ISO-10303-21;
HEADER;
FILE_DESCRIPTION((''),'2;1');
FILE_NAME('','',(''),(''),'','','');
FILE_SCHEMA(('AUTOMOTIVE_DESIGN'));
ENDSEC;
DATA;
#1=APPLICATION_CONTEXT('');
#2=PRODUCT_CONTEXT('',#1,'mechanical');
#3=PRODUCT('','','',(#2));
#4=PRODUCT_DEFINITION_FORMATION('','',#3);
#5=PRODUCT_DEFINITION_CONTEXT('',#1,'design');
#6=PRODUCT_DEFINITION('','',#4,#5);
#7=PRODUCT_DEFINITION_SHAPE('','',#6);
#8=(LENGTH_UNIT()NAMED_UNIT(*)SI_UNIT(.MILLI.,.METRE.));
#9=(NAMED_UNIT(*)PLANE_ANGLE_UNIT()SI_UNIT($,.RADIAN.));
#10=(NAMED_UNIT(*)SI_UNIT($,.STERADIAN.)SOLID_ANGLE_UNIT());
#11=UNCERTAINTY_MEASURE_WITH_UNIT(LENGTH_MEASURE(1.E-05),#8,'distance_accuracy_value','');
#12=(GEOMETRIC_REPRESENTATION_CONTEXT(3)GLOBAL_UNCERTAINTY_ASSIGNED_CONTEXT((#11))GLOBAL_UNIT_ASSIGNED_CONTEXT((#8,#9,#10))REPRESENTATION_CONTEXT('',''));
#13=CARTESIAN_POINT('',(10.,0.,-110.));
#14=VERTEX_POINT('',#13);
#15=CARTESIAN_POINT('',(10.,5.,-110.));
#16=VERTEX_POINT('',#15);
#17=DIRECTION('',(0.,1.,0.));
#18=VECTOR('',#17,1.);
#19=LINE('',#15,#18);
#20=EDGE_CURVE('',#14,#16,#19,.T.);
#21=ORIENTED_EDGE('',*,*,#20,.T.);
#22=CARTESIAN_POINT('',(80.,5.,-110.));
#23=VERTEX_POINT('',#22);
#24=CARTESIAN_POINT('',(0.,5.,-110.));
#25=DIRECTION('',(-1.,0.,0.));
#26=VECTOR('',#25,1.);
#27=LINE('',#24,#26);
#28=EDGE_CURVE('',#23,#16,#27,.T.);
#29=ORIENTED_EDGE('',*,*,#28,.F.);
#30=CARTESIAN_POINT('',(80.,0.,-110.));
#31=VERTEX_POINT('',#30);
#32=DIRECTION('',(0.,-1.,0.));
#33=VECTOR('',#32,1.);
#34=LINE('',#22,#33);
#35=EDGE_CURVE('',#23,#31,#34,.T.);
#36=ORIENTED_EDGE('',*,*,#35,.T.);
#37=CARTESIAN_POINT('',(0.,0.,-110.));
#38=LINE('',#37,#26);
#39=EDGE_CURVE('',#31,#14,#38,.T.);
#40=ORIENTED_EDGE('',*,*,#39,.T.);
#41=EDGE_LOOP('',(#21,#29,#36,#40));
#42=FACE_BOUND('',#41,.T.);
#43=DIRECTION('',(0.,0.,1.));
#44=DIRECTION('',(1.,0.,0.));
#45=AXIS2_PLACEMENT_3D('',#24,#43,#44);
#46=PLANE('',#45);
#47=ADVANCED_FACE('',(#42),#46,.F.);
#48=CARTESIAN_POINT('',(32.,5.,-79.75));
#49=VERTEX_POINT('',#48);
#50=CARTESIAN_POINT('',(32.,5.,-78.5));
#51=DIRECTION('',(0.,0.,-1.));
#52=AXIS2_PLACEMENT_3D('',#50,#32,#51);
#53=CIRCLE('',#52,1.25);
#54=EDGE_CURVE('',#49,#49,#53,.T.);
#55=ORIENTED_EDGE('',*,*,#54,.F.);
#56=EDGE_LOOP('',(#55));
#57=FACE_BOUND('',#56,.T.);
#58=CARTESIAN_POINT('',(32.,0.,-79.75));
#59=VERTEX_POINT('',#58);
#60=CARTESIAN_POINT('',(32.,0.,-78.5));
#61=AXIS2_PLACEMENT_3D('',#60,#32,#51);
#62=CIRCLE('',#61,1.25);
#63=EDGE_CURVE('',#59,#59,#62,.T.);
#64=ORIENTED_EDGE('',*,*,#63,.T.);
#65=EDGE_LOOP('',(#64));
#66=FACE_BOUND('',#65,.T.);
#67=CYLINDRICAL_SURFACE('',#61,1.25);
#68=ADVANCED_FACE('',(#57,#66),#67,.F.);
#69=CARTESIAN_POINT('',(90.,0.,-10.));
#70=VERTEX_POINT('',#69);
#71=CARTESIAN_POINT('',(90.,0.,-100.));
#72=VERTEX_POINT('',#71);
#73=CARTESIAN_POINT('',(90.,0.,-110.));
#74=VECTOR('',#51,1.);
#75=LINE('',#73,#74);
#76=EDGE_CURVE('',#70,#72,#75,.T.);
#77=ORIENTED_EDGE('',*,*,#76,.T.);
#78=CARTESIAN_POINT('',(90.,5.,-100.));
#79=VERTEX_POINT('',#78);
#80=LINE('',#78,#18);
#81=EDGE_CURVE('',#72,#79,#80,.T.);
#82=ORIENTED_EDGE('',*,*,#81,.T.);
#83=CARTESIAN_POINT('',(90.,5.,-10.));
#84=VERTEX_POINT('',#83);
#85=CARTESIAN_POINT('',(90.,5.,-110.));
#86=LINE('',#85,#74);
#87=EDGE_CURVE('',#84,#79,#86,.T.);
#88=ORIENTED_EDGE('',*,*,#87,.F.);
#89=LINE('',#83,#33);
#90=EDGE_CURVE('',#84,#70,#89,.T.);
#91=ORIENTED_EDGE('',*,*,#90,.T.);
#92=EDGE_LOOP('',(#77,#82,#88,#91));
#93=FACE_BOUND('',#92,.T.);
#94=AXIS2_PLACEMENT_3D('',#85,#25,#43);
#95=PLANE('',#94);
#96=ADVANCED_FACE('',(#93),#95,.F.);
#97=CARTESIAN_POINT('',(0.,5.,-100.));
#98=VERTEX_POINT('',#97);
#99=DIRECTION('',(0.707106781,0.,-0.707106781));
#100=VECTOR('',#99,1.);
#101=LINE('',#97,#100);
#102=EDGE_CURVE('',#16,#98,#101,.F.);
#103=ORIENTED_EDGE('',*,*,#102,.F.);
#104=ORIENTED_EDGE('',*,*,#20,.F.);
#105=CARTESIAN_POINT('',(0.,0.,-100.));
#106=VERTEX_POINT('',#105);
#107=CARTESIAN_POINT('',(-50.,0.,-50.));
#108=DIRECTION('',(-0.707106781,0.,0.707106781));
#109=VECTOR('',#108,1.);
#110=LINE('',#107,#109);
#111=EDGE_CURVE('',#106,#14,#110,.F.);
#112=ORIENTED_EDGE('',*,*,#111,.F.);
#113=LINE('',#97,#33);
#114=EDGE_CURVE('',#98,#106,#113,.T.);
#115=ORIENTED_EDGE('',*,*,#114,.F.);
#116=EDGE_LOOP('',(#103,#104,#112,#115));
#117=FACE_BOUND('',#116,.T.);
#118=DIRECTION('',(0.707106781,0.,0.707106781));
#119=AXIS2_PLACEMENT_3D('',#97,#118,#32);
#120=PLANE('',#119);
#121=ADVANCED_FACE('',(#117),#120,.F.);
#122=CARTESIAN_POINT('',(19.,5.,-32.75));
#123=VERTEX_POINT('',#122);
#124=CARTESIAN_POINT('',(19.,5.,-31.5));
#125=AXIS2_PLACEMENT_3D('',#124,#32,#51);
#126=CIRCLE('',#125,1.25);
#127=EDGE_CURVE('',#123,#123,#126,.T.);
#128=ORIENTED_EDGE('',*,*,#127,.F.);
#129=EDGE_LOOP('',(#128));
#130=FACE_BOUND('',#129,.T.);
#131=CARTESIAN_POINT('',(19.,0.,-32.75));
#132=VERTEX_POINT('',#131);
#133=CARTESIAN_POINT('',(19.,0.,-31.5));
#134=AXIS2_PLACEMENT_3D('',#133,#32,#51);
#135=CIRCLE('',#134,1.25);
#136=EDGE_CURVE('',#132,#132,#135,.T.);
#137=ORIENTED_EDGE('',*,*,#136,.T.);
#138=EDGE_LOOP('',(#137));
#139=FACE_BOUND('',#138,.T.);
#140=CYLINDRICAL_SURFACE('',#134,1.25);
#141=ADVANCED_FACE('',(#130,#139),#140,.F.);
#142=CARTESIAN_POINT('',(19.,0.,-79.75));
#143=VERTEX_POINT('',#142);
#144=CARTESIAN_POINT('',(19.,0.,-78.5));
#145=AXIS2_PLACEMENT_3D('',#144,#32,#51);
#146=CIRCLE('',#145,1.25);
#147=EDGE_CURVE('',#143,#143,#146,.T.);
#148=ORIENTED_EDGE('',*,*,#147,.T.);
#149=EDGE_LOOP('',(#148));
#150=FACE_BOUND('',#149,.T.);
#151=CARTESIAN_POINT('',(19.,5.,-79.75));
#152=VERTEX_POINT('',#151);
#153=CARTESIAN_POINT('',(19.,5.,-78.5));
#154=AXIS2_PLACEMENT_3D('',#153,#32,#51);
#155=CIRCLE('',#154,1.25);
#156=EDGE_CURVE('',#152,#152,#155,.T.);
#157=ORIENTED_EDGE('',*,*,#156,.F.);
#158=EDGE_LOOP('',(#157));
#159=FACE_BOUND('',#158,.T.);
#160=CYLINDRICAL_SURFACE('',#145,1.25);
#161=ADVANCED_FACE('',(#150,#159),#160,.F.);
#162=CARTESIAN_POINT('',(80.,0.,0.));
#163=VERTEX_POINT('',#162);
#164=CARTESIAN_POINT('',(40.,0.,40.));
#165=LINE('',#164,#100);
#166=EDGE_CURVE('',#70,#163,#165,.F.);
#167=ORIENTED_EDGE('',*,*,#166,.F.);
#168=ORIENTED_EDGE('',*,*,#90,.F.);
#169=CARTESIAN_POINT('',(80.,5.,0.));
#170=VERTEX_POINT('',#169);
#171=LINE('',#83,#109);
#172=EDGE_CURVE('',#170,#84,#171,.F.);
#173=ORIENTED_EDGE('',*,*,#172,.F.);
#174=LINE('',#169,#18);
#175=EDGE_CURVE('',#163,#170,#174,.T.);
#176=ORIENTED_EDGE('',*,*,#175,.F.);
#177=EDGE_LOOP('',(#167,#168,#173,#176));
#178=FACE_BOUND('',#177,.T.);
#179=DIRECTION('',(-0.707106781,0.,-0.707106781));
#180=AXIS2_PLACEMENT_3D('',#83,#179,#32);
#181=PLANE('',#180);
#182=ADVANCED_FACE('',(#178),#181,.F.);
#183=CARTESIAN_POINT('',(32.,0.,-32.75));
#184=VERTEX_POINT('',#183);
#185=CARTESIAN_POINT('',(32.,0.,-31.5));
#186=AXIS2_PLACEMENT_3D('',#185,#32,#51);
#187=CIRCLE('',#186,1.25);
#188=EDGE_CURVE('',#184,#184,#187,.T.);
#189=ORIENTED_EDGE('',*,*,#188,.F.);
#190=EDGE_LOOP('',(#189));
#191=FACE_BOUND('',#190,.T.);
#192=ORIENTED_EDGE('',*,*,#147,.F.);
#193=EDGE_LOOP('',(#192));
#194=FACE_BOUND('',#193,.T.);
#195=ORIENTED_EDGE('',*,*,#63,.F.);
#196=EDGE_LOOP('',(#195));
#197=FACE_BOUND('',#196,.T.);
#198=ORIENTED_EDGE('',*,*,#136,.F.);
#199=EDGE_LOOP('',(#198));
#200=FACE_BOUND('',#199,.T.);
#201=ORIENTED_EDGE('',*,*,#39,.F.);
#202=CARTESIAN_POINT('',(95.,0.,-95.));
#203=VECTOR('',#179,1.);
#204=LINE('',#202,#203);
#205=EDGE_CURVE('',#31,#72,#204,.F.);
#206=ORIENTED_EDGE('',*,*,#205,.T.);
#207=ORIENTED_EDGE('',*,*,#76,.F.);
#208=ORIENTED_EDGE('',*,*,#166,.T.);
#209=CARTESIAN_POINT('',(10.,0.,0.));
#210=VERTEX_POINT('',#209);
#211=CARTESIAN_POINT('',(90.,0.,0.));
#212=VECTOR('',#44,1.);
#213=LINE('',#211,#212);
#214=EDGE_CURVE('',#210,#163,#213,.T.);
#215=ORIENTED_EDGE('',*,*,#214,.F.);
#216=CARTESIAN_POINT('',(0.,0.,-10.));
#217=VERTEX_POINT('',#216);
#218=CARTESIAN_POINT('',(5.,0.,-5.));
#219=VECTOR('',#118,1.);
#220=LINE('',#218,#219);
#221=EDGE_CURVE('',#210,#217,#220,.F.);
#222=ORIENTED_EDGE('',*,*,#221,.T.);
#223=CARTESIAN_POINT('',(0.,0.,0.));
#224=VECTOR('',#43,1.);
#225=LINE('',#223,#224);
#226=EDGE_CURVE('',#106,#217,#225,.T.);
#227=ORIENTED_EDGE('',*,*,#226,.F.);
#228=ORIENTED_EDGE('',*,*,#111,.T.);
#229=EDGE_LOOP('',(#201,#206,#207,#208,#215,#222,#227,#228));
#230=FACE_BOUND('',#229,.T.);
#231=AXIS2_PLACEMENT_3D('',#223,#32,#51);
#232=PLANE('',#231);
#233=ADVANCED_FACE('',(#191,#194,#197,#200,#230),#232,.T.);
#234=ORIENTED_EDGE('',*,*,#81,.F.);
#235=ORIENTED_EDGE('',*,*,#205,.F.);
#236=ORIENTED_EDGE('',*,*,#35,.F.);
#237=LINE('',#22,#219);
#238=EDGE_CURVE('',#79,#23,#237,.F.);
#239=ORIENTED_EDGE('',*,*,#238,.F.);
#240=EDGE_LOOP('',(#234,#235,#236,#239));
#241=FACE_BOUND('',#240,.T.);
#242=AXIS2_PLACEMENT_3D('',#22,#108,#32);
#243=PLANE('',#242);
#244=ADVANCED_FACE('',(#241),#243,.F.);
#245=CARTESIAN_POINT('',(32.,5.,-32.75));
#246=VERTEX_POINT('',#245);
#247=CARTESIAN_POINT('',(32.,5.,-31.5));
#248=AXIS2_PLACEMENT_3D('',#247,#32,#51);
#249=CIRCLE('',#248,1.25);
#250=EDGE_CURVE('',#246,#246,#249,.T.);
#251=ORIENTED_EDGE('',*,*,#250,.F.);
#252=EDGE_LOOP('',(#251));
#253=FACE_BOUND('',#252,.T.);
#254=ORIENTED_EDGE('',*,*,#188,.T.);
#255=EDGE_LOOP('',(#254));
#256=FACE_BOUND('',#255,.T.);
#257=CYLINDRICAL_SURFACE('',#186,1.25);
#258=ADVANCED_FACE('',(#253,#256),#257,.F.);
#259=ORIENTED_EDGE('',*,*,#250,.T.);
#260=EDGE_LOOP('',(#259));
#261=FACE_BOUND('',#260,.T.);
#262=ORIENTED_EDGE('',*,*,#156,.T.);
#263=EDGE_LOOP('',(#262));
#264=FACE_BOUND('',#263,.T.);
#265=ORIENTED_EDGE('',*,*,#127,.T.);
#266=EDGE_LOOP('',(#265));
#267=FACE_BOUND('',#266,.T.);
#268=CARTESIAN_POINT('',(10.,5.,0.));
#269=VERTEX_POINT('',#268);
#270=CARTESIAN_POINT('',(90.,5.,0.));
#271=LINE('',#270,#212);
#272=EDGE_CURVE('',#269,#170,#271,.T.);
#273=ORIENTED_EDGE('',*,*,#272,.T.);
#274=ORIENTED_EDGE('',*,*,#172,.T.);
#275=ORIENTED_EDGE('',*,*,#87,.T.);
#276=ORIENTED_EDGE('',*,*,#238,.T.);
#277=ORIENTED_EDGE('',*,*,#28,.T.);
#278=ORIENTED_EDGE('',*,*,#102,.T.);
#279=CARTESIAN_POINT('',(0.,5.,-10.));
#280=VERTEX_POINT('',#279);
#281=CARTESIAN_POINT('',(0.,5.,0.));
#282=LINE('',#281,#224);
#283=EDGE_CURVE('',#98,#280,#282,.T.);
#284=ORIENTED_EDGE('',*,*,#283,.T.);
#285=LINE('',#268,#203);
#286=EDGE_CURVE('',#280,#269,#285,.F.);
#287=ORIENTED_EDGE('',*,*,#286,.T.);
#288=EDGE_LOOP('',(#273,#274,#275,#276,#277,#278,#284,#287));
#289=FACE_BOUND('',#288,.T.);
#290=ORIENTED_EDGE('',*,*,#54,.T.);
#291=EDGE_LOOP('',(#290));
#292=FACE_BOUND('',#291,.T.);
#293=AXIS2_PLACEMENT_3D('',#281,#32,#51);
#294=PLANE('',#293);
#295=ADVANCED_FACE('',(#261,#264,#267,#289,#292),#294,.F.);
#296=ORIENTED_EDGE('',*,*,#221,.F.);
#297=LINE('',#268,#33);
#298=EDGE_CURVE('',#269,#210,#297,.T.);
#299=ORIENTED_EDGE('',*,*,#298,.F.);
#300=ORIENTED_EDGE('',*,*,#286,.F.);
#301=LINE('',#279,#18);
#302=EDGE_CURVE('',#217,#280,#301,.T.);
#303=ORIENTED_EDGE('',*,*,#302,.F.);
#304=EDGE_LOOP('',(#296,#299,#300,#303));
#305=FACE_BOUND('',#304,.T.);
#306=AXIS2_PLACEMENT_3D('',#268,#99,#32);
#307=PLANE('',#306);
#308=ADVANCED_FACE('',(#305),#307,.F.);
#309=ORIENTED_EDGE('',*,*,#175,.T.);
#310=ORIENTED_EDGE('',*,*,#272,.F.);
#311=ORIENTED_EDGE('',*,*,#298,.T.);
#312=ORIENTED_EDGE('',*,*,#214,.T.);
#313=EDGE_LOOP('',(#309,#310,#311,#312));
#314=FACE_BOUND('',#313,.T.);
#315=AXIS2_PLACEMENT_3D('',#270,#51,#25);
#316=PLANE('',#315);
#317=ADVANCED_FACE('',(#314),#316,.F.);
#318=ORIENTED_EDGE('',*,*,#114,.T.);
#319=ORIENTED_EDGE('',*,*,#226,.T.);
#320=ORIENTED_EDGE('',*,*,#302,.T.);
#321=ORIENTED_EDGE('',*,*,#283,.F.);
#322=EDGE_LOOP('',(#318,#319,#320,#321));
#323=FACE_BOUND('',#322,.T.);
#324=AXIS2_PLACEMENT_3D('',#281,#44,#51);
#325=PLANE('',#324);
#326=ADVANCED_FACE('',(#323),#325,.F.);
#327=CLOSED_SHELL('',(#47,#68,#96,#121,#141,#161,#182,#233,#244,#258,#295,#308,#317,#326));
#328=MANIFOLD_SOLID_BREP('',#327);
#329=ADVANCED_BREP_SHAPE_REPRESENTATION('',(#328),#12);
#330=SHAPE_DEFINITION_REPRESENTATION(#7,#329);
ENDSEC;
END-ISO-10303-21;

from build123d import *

# Parameters (mm, degrees)
SKETCH_1_W         = 90
SKETCH_1_H         = 110
EXTRUDE_1_DEPTH    = 5
CHAMFER_1_SIZE     = 10
HOLE_WIZARD_M3_1_D = 2.5


with BuildPart() as part:
    # 草图1 → 凸台-拉伸1 (new body)
    with BuildSketch(Plane(origin=(0, 0, 0), x_dir=(1, 0, 0), z_dir=(0, 1, 0))):
        with Locations((45, 55)):
            Rectangle(SKETCH_1_W, SKETCH_1_H)
    extrude(amount=EXTRUDE_1_DEPTH)

    # 倒角1
    chamfer_1_edges = [part.edges().sort_by_distance(p)[0] for p in [
        (0, 2.5, 0),
        (0, 2.5, -110),
        (90, 2.5, -110),
        (90, 2.5, 0),
    ]]
    chamfer(chamfer_1_edges, length=CHAMFER_1_SIZE)

    # M3 螺纹孔1 (through all)
    with Locations(Plane(origin=(0, 0, 0), x_dir=(-1, 0, 0), z_dir=(0, -1, 0))):
        with Locations((-19, 78.5), (-19, 31.5), (-32, 31.5), (-32, 78.5)):
            Hole(HOLE_WIZARD_M3_1_D / 2)


solid = part.part
